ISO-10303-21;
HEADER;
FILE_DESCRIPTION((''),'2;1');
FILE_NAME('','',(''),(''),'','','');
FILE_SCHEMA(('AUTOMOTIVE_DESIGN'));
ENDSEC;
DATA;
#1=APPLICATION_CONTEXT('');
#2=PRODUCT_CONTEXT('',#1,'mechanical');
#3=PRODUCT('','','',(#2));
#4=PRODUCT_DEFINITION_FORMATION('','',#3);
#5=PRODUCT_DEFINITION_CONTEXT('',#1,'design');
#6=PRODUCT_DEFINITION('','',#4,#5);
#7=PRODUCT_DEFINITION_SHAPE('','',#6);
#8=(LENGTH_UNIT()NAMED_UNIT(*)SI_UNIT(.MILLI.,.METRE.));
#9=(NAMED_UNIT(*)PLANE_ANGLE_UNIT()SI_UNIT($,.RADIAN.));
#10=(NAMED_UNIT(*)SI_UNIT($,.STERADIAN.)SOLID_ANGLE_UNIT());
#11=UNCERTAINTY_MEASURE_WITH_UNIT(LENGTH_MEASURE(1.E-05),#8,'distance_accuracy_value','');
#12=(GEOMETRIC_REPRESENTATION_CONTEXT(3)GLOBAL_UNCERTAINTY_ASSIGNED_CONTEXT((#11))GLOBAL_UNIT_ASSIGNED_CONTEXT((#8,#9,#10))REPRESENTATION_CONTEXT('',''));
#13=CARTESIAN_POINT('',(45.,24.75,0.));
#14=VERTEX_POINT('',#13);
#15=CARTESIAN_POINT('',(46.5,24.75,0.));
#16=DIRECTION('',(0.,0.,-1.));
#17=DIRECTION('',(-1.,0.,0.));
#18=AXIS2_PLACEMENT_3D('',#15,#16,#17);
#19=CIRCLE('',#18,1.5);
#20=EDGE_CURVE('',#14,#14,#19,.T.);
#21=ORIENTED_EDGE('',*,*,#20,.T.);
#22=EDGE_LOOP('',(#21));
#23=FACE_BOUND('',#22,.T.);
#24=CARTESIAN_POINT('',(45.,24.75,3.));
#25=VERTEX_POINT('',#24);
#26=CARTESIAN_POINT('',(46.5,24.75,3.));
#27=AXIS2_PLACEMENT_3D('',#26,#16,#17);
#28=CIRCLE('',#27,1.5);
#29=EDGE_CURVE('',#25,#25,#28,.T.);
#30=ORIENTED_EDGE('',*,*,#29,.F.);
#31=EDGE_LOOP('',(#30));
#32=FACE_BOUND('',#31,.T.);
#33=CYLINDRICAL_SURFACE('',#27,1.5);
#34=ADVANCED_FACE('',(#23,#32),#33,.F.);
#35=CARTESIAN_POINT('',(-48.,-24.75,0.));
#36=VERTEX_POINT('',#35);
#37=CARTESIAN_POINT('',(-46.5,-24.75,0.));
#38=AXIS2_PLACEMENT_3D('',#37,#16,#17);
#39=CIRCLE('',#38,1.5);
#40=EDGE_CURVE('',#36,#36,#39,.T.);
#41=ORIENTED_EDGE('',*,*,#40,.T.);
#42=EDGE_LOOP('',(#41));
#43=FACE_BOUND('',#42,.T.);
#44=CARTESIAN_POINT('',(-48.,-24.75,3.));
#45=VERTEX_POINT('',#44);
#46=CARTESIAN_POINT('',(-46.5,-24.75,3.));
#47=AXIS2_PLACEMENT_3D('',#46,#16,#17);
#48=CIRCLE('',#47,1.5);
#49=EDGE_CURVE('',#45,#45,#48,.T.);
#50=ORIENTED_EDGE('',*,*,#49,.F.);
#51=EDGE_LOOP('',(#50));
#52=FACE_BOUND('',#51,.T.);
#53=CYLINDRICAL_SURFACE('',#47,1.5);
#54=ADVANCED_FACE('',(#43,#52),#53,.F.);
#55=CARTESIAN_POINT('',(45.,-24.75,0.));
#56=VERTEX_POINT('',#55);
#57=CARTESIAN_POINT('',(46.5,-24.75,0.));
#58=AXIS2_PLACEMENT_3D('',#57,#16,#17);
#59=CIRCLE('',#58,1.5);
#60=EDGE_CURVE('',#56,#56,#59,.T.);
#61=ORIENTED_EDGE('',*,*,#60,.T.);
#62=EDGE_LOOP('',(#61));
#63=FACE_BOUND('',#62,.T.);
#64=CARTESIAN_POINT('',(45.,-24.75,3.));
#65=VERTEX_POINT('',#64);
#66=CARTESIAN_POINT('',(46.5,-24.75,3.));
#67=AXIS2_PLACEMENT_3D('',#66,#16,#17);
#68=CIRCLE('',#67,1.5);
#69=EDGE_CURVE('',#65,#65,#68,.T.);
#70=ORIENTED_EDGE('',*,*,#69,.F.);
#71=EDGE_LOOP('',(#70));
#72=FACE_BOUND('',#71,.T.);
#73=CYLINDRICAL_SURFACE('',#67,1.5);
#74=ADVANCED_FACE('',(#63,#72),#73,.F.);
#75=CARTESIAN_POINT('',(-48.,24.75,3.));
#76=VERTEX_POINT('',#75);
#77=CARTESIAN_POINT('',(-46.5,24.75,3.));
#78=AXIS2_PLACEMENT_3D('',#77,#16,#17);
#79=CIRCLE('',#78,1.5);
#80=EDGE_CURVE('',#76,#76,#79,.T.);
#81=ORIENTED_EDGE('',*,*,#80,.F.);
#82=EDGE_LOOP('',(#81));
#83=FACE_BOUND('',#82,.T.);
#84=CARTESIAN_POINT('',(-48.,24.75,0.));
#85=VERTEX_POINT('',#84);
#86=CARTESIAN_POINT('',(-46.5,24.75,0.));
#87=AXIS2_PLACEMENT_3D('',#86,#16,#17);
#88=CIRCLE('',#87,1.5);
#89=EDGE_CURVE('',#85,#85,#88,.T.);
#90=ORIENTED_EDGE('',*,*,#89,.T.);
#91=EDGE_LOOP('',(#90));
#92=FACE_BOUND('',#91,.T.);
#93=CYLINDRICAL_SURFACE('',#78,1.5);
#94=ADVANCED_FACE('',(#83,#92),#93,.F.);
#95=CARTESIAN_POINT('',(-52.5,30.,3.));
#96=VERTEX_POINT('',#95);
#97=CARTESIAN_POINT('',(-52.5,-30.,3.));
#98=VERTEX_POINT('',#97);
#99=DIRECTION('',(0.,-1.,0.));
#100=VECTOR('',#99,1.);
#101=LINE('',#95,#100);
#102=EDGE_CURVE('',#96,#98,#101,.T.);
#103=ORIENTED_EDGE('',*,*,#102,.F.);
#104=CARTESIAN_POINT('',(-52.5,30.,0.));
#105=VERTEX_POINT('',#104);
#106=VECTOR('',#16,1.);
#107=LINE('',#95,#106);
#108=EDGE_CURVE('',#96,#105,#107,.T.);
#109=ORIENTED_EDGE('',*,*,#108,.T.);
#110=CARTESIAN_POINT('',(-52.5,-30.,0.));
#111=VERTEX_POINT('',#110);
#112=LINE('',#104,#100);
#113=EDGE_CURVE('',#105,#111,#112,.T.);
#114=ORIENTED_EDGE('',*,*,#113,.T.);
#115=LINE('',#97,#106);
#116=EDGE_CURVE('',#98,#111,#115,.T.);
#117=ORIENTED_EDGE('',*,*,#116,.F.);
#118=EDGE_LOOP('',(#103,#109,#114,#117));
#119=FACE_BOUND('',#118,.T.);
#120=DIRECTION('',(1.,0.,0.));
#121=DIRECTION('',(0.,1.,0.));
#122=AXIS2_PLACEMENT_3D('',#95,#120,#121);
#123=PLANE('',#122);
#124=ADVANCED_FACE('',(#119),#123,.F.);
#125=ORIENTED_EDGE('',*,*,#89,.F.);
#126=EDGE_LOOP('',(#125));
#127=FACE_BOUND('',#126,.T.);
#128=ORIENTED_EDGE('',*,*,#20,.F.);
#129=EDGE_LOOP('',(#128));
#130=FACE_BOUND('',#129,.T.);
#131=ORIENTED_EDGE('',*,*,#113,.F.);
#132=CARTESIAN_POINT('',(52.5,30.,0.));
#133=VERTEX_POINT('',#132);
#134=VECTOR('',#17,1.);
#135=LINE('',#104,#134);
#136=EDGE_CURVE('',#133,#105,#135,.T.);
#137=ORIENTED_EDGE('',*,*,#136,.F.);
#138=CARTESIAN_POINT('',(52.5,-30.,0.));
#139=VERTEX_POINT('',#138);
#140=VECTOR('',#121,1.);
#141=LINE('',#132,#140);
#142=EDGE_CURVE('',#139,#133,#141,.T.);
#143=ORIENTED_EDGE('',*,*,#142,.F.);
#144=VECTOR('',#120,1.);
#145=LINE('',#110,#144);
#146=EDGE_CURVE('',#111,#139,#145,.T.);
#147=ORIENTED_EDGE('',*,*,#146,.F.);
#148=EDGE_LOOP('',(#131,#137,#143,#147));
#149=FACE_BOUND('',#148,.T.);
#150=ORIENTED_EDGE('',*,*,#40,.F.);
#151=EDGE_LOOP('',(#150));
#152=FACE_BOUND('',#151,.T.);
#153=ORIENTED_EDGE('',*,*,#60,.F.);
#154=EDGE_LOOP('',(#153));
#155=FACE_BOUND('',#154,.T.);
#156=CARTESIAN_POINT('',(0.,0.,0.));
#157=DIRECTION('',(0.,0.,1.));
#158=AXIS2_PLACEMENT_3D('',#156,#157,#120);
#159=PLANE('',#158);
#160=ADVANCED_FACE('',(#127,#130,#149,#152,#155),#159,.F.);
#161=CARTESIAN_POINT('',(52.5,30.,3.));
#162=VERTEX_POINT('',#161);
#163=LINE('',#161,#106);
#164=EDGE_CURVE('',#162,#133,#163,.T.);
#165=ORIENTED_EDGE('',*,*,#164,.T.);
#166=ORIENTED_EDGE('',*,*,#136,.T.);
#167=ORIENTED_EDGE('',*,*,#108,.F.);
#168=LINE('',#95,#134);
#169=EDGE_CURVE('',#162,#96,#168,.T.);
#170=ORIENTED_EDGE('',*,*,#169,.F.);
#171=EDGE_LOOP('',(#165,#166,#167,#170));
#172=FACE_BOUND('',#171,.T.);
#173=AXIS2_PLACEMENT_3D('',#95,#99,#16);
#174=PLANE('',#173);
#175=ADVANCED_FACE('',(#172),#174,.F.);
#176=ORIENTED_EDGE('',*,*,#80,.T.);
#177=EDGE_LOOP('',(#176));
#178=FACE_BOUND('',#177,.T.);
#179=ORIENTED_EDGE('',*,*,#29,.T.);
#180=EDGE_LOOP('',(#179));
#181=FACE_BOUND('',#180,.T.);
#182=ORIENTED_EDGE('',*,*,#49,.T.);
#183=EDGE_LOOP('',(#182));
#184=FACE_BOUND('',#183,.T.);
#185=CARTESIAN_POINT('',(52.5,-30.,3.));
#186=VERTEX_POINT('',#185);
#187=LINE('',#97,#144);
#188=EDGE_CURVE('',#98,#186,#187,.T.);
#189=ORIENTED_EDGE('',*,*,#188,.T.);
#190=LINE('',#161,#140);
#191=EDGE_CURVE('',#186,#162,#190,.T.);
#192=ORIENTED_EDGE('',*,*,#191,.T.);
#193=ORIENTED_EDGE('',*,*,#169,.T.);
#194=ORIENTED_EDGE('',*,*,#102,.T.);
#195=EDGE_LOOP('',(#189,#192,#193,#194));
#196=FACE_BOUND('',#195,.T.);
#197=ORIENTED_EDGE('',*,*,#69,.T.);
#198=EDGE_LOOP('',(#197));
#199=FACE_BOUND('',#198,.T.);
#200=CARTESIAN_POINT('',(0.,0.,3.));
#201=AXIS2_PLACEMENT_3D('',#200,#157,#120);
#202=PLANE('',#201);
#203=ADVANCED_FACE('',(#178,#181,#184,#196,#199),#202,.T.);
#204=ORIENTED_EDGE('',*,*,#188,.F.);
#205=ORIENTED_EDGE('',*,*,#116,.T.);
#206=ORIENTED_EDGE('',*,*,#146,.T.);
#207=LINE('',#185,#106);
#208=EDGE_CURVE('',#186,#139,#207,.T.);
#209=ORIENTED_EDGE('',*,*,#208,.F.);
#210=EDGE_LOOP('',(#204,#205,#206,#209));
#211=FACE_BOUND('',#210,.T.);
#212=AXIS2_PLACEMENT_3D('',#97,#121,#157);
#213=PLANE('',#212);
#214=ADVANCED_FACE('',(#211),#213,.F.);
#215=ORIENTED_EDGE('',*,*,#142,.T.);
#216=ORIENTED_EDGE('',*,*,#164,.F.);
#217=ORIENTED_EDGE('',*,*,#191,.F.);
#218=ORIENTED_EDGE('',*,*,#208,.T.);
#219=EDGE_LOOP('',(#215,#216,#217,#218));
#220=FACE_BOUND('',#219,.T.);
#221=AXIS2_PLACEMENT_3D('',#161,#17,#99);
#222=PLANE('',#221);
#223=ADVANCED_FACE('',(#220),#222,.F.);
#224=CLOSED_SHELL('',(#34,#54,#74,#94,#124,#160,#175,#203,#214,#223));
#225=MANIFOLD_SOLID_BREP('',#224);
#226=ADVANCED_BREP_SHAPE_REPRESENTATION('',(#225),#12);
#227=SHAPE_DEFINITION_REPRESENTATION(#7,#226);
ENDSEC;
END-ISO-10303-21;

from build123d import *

# Parameters (mm, degrees)
SKETCH1_W           = 105
SKETCH1_H           = 60
BOSS_EXTRUDE1_DEPTH = 3
SKETCH2_R           = 1.5
CUT_EXTRUDE1_DEPTH  = 61.541308212


with BuildPart() as part:
    # Sketch1 → Boss-Extrude1 (new body)
    with BuildSketch(Plane.XY):
        Rectangle(SKETCH1_W, SKETCH1_H)
    extrude(amount=BOSS_EXTRUDE1_DEPTH)

    # Sketch2 → Cut-Extrude1 (cut, through all)
    with BuildSketch(Plane(origin=(0, 0, 0), x_dir=(-1, 0, 0), z_dir=(0, 0, -1))):
        with Locations((-46.5, 24.75)):
            Circle(SKETCH2_R)
        with Locations((-46.5, -24.75)):
            Circle(SKETCH2_R)
        with Locations((46.5, -24.75)):
            Circle(SKETCH2_R)
        with Locations((46.5, 24.75)):
            Circle(SKETCH2_R)
    extrude(amount=-CUT_EXTRUDE1_DEPTH, mode=Mode.SUBTRACT)


solid = part.part
